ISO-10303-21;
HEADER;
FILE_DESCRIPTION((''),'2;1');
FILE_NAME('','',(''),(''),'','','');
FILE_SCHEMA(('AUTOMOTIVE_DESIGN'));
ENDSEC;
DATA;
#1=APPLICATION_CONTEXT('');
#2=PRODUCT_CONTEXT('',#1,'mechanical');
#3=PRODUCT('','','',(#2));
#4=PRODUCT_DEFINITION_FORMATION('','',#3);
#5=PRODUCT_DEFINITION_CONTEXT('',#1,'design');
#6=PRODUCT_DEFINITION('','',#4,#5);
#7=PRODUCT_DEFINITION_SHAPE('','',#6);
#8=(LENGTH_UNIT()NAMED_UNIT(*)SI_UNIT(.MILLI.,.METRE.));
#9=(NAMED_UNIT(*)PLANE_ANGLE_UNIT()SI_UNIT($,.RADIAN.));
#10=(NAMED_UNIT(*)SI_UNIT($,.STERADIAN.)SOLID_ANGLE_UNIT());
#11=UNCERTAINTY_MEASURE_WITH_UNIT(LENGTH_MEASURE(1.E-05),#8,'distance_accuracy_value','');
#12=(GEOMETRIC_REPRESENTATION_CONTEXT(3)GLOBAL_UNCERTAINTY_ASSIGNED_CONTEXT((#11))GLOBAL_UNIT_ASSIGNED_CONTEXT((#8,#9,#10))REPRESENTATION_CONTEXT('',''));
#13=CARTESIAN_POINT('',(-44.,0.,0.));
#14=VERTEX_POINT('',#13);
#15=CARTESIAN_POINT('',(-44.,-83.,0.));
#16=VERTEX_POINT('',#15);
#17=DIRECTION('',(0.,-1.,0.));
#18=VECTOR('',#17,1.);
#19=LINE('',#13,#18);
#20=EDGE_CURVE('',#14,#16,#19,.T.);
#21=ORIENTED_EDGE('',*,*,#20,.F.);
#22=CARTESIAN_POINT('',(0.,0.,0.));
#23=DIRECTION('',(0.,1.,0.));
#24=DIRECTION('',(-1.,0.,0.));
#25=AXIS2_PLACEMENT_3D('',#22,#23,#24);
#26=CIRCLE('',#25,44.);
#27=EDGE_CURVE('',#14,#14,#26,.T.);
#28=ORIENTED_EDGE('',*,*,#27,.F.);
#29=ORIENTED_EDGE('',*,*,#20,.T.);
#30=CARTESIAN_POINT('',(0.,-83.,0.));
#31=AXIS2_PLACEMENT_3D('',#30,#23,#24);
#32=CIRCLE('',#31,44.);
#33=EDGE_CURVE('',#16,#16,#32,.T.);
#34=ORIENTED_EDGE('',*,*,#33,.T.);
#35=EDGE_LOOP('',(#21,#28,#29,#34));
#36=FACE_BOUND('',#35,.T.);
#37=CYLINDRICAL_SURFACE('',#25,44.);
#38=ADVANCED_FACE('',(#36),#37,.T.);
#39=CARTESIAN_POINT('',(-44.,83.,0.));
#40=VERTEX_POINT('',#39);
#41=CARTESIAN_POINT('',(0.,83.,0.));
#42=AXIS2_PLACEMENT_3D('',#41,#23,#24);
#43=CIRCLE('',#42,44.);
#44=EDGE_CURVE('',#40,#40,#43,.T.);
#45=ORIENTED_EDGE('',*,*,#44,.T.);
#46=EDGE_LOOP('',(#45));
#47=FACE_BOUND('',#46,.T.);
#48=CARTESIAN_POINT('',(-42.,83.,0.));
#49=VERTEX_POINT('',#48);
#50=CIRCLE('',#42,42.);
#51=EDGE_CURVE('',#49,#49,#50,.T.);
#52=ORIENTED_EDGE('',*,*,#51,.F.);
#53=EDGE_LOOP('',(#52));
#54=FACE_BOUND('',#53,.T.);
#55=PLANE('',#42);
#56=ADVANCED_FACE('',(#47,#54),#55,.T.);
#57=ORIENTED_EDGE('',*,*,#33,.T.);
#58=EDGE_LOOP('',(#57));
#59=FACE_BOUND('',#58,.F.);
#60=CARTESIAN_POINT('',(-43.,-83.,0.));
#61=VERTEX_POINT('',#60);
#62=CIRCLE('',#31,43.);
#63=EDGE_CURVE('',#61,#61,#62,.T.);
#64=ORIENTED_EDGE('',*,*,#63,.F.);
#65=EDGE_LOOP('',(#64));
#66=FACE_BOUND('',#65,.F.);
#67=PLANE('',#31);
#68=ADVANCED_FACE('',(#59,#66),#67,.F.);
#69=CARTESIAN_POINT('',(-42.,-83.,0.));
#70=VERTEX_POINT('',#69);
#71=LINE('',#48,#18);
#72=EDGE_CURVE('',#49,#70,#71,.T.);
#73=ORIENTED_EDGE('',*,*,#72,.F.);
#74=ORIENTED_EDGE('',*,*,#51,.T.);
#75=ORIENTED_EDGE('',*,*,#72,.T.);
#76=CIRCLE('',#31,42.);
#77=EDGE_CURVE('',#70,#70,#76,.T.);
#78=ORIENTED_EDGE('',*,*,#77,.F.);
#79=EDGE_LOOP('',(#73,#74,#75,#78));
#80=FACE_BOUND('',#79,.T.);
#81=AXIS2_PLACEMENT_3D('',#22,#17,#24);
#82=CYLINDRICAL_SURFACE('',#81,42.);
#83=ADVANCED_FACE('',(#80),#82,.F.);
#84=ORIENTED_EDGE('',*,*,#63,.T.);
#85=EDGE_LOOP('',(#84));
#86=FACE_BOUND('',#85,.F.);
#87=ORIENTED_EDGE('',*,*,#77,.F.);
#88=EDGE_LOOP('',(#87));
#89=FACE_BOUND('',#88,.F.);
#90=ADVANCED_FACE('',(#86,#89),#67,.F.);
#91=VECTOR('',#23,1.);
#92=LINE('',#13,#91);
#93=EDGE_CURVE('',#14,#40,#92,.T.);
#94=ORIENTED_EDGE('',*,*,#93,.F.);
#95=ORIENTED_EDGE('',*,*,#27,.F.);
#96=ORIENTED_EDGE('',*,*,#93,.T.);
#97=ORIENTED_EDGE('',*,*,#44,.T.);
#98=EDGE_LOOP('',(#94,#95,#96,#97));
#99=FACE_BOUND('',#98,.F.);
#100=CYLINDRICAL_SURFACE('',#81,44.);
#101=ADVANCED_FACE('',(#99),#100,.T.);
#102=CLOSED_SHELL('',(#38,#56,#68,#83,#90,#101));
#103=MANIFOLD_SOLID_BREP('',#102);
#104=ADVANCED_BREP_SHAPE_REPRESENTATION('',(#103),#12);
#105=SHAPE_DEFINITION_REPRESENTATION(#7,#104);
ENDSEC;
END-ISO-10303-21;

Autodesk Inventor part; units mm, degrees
ref_plane "YZ Plane" through (0, 0, 0) normal (1, 0, 0) x (0, 1, 0)
ref_plane "XZ Plane" through (0, 0, 0) normal (0, 1, 0) x (-1, 0, 0)
ref_plane "XY Plane" through (0, 0, 0) normal (0, 0, 1) x (1, 0, 0)
sketch "Sketch1" plane through (0, 0, 0) normal (0, 1, 0) x (-1, 0, 0)
  circle A0 centre (0, 0) radius 43
  circle A1 centre (0, 0) radius 42
  circle A2 centre (0, 0) radius 44
  dimension "d0" = 86
  dimension "d1" = 84
  dimension "d2" = 88
extrude "Extrusion1" add sketch "Sketch1" along normal mid plane 166 contours A0
extrude "Extrusion2" add sketch "Sketch1" along normal mid plane 166 contours A2
properties part number "payloadchamber" material "ABS Plastic"
